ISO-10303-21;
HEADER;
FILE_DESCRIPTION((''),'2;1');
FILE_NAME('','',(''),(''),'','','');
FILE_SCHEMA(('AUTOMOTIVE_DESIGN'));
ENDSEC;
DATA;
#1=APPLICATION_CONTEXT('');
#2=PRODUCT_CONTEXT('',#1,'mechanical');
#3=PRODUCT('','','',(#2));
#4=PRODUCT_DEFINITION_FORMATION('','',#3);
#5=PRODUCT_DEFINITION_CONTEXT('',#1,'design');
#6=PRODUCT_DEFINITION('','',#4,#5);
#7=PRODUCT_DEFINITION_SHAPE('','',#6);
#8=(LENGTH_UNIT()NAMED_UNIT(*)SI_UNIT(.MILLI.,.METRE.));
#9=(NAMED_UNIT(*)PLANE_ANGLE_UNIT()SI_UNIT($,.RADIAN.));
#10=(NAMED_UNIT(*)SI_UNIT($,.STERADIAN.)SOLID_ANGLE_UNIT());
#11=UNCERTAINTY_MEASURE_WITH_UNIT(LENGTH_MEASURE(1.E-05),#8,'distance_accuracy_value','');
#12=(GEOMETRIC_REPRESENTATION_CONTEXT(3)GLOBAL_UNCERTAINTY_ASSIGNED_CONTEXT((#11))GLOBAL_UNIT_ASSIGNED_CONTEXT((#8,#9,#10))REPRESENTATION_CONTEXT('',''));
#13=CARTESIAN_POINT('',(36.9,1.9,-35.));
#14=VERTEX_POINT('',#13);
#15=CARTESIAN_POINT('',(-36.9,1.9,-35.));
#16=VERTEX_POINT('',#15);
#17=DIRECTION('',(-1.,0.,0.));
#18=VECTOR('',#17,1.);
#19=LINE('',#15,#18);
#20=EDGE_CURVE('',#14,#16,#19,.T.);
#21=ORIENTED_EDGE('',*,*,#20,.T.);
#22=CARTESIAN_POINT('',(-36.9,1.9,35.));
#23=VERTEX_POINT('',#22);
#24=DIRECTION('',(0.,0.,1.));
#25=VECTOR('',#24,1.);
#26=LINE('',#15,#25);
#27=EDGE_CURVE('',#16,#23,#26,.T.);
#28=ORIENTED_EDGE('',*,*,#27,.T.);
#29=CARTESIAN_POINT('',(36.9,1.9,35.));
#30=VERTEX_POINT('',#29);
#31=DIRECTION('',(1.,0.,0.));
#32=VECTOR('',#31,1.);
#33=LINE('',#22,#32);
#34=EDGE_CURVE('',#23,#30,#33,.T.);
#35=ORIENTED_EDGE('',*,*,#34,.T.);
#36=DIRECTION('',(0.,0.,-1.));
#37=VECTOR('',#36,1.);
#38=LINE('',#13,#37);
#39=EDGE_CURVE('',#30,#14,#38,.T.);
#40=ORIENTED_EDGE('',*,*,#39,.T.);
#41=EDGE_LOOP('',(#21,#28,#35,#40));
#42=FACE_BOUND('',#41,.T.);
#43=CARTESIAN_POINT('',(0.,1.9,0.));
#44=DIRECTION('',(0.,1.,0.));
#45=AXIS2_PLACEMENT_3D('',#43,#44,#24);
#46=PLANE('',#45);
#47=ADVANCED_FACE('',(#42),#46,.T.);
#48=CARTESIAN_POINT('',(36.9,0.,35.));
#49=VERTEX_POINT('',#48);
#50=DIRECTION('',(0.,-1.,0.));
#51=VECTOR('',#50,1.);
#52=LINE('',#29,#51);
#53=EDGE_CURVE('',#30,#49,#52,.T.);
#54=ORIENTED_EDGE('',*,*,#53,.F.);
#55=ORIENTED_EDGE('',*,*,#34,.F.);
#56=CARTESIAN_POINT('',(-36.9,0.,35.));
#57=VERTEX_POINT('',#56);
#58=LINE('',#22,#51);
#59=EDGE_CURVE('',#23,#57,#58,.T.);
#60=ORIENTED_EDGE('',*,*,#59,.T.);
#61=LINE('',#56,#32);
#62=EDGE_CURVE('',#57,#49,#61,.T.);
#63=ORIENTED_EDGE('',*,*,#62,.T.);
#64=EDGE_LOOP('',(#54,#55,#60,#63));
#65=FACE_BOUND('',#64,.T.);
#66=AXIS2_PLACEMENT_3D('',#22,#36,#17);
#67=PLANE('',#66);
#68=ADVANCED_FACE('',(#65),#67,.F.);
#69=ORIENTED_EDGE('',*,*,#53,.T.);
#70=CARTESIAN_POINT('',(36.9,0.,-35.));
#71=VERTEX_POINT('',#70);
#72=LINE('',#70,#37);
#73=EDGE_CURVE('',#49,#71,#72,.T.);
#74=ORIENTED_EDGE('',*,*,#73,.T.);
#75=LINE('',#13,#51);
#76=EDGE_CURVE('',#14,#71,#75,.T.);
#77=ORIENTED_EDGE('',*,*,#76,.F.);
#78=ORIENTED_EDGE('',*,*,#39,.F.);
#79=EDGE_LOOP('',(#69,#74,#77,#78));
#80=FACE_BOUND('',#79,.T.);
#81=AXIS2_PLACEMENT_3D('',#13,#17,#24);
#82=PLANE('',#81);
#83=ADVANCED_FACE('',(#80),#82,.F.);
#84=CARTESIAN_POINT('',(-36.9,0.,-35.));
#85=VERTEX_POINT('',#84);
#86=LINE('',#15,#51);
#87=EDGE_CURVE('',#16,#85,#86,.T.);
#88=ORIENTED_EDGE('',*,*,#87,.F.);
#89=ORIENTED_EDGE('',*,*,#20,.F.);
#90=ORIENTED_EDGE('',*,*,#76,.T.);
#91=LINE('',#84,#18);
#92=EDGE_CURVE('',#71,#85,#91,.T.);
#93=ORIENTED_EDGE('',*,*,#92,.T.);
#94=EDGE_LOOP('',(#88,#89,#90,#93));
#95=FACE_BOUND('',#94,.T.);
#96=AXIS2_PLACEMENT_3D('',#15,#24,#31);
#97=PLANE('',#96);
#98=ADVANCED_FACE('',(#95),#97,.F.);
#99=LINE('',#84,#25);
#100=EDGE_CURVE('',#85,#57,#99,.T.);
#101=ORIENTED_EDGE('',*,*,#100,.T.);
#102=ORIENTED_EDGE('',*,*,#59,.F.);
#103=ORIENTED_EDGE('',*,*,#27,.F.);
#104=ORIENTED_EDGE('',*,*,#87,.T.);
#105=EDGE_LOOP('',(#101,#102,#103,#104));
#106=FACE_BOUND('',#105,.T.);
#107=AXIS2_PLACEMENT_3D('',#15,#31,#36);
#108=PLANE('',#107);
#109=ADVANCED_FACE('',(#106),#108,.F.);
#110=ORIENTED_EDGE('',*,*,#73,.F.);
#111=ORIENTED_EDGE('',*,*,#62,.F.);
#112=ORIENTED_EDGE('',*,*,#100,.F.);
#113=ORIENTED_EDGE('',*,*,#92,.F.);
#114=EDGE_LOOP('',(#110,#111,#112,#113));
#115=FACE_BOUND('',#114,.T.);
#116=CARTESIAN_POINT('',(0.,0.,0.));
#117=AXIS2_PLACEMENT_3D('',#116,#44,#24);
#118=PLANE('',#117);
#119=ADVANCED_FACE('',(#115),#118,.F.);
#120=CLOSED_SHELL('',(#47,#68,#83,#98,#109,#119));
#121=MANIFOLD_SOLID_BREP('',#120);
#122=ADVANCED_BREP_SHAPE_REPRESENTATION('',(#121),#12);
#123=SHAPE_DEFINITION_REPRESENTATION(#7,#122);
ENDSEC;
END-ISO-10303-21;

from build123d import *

# Parameters (mm, degrees)
CROQUIS1_W              = 73.8
CROQUIS1_H              = 70
SALIENTE_EXTRUIR1_DEPTH = 1.9


with BuildPart() as part:
    # Croquis1 → Saliente-Extruir1 (new body)
    with BuildSketch(Plane(origin=(0, 0, 0), x_dir=(1, 0, 0), z_dir=(0, 1, 0))):
        Rectangle(CROQUIS1_W, CROQUIS1_H)
    extrude(amount=SALIENTE_EXTRUIR1_DEPTH)


solid = part.part
